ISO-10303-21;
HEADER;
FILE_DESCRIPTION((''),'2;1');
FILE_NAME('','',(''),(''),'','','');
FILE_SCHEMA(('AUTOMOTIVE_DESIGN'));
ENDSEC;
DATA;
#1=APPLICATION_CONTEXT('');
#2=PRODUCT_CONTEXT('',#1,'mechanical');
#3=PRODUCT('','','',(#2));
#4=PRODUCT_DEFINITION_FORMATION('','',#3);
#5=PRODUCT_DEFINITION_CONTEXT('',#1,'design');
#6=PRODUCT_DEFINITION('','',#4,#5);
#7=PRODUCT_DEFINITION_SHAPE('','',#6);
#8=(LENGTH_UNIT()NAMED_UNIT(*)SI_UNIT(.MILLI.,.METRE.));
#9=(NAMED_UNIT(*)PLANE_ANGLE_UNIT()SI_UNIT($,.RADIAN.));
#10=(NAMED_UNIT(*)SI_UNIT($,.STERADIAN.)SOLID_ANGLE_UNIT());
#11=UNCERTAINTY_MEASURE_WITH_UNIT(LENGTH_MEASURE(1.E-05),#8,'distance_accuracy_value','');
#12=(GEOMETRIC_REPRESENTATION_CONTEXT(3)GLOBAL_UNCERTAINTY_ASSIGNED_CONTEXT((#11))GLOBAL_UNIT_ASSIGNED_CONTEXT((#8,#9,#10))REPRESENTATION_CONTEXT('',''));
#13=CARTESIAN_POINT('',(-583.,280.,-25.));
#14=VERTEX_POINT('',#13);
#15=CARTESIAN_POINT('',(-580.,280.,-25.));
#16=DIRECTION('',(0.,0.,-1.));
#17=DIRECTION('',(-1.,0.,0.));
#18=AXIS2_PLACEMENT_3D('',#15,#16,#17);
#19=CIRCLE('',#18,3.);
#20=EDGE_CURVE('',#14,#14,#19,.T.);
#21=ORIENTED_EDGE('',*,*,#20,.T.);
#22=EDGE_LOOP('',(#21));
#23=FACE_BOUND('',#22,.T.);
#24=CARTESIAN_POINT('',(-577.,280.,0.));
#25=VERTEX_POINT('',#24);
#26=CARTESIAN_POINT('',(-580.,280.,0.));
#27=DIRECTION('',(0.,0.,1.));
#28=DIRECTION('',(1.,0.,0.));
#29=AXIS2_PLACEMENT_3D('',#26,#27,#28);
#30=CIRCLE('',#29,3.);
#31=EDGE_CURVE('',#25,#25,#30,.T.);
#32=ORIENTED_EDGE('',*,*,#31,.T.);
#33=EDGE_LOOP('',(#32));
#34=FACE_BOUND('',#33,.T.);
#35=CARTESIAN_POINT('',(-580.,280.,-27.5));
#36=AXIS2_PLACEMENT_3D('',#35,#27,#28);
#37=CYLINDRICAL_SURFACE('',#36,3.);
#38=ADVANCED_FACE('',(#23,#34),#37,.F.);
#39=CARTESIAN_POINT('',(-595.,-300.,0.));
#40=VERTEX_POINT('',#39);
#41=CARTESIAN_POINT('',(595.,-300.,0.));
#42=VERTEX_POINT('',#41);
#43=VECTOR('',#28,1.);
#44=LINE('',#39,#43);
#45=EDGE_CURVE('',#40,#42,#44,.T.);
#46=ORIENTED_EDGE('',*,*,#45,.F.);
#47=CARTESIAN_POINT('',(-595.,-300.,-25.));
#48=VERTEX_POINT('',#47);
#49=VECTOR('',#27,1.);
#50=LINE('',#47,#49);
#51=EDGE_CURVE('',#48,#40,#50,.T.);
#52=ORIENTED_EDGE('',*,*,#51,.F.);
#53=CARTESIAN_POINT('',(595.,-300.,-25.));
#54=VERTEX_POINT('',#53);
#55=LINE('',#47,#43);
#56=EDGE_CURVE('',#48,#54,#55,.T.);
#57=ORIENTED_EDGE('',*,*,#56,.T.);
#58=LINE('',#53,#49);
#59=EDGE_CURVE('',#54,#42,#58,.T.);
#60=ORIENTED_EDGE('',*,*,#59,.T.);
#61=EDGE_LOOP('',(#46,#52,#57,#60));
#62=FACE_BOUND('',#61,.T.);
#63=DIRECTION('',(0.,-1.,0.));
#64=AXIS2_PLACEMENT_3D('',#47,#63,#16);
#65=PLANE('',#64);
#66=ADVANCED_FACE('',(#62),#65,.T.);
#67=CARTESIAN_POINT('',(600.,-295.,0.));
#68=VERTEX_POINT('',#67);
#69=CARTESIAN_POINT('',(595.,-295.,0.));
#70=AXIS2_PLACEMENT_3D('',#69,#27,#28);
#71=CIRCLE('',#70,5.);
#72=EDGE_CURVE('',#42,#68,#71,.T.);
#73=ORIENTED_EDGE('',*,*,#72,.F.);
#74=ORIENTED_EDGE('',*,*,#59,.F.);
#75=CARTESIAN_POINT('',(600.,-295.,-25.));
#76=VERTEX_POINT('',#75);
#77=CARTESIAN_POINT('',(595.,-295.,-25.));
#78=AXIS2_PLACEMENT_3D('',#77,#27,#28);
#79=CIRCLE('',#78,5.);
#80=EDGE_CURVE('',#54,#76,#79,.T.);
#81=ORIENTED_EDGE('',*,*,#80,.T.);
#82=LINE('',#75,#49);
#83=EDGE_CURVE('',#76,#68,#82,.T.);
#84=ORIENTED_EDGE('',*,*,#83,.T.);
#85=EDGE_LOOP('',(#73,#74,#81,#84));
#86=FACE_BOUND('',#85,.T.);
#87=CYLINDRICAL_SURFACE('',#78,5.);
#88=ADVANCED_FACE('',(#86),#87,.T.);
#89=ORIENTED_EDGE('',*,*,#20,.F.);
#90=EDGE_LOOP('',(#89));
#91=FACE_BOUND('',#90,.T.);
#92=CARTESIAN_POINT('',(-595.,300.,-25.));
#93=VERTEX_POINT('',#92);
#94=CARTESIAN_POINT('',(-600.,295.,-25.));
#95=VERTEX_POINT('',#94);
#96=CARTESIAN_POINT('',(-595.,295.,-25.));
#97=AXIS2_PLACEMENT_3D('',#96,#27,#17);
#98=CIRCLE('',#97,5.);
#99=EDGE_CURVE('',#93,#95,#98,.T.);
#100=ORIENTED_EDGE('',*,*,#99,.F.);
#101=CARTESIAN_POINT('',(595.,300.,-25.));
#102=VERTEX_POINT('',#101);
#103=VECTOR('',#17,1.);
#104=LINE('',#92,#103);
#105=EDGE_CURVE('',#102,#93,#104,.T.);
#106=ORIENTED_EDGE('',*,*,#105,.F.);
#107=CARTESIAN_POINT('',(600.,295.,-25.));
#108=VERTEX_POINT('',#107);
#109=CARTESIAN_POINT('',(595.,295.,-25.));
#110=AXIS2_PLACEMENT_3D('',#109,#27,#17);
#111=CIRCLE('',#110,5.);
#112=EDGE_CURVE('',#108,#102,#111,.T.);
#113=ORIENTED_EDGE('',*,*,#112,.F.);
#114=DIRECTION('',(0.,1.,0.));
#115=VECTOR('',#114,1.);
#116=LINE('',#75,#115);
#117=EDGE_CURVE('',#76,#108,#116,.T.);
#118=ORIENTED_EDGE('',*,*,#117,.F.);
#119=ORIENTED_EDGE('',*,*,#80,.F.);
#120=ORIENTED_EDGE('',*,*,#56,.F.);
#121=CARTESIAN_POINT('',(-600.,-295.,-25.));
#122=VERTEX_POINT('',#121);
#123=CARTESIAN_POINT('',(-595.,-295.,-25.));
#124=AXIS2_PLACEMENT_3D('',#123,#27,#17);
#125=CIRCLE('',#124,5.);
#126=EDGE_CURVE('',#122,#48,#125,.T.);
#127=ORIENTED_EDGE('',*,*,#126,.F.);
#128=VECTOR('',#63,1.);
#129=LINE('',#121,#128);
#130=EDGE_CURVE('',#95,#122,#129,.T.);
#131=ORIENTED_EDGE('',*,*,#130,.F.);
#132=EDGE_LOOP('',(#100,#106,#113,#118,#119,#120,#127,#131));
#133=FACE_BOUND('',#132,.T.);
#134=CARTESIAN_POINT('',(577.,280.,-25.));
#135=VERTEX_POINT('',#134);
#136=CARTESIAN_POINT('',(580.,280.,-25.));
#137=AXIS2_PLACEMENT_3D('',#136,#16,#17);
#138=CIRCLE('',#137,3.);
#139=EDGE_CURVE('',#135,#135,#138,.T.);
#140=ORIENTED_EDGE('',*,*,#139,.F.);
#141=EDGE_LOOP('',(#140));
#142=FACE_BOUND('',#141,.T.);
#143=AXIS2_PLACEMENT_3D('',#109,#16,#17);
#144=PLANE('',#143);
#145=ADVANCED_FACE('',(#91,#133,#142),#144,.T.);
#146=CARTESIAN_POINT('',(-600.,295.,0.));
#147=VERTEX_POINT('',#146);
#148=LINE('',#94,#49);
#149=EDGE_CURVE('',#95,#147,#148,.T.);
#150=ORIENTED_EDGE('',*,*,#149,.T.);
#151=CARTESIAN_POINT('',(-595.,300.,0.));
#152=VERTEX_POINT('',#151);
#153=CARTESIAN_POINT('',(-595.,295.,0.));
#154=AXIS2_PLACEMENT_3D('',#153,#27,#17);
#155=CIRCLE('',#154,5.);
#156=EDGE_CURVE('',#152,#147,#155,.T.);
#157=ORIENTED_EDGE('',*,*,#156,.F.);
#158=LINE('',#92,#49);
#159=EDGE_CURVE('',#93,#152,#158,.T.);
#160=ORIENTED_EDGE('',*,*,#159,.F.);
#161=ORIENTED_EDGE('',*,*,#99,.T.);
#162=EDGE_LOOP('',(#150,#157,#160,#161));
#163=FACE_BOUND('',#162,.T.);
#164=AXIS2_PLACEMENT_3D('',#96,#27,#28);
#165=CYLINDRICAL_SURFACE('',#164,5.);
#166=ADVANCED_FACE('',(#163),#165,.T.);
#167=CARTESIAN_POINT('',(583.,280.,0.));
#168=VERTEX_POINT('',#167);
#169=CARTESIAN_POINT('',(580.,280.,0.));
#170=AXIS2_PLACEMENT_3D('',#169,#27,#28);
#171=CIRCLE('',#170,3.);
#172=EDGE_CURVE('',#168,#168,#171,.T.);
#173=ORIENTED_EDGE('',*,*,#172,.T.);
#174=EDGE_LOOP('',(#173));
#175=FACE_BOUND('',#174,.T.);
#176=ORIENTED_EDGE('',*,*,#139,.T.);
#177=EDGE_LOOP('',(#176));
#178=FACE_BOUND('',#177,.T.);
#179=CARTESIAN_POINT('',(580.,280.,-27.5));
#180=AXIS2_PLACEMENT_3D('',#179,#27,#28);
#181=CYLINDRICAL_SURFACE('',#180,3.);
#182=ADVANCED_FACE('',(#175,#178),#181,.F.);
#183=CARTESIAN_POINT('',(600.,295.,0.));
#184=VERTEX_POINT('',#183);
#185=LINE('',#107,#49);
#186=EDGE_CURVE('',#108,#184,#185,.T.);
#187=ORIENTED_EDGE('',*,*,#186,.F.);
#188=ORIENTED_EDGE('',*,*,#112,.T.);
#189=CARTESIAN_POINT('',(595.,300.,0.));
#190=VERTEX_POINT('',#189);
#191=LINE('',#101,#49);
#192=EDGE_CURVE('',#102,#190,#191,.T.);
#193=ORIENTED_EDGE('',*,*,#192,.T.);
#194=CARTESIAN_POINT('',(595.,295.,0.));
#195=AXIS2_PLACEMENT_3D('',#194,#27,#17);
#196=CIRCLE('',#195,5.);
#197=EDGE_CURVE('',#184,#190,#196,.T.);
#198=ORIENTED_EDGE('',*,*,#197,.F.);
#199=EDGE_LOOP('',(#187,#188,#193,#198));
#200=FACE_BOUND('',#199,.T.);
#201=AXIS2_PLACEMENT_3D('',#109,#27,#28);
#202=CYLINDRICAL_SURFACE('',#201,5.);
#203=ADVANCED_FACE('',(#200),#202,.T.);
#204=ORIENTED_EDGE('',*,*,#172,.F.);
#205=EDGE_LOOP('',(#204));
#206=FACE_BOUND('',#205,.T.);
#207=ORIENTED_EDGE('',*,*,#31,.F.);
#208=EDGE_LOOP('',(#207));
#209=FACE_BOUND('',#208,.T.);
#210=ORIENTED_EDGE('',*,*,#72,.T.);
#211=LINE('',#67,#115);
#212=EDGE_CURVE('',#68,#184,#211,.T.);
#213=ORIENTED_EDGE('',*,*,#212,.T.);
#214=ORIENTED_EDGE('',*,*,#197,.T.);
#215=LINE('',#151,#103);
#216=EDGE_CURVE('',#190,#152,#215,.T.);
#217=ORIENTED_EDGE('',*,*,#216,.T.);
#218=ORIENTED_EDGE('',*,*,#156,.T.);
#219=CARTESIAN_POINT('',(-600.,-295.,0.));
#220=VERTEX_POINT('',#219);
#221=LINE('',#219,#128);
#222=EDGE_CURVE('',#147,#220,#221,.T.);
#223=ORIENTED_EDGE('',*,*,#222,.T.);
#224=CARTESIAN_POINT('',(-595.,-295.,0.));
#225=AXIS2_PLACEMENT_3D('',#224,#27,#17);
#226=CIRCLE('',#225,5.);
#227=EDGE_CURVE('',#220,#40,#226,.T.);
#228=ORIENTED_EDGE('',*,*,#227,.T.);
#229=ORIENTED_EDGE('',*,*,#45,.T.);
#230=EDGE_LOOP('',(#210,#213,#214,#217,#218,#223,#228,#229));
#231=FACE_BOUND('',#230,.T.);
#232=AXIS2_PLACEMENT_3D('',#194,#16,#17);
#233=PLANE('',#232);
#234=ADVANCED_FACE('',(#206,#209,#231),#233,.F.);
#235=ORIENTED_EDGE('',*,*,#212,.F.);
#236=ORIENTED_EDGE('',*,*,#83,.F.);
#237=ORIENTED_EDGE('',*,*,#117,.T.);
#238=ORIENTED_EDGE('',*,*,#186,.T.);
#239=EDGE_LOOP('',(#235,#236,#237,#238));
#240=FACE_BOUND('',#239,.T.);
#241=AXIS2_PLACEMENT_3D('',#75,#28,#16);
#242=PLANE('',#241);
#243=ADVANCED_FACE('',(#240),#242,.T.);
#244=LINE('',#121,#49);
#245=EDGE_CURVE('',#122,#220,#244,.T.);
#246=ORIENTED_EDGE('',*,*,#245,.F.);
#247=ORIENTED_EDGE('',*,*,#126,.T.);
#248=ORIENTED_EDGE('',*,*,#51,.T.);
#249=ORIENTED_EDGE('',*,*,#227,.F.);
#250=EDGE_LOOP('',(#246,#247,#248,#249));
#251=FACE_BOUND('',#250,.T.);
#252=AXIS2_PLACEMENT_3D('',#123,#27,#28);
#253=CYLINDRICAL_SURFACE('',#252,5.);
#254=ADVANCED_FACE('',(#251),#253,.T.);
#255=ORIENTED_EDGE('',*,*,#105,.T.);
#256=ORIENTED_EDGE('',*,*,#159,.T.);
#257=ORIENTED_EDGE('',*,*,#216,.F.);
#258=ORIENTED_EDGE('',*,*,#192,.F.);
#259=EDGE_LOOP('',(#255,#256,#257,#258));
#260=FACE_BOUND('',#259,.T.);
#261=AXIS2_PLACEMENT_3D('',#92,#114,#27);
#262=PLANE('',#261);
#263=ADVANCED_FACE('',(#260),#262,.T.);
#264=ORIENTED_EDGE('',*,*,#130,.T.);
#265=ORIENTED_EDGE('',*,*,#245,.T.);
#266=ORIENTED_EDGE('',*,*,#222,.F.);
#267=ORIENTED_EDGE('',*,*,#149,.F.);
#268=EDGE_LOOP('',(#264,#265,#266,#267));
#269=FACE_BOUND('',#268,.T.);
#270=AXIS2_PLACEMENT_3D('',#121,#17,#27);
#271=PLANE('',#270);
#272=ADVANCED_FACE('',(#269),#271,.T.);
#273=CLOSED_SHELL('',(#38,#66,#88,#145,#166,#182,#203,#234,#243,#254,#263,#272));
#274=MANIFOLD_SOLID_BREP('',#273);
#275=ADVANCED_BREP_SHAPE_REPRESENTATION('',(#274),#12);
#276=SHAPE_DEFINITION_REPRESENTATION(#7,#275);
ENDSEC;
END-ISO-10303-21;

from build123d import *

# Parameters (mm, degrees)
BOSS_EXTRUDE1_DEPTH = 25
SKETCH2_R           = 3
CUT_EXTRUDE1_DEPTH  = 27.5


with BuildPart() as part:
    # Sketch1 → Boss-Extrude1 (new body)
    with BuildSketch(Plane.XY):
        with BuildLine():
            Line((-595, -300), (595, -300))
            ThreePointArc((595, -300), (598.535533906, -298.535533906), (600, -295))
            Line((600, -295), (600, 295))
            ThreePointArc((600, 295), (598.535533906, 298.535533906), (595, 300))
            Line((595, 300), (-595, 300))
            ThreePointArc((-595, 300), (-598.535533906, 298.535533906), (-600, 295))
            Line((-600, 295), (-600, -295))
            ThreePointArc((-600, -295), (-598.535533906, -298.535533906), (-595, -300))
        make_face()
    extrude(amount=-BOSS_EXTRUDE1_DEPTH)

    # Sketch2 → Cut-Extrude1 (cut)
    with BuildSketch(Plane.XY):
        with Locations((580, 280)):
            Circle(SKETCH2_R)
        with Locations((-580, 280)):
            Circle(SKETCH2_R)
    extrude(amount=-CUT_EXTRUDE1_DEPTH, mode=Mode.SUBTRACT)


solid = part.part
